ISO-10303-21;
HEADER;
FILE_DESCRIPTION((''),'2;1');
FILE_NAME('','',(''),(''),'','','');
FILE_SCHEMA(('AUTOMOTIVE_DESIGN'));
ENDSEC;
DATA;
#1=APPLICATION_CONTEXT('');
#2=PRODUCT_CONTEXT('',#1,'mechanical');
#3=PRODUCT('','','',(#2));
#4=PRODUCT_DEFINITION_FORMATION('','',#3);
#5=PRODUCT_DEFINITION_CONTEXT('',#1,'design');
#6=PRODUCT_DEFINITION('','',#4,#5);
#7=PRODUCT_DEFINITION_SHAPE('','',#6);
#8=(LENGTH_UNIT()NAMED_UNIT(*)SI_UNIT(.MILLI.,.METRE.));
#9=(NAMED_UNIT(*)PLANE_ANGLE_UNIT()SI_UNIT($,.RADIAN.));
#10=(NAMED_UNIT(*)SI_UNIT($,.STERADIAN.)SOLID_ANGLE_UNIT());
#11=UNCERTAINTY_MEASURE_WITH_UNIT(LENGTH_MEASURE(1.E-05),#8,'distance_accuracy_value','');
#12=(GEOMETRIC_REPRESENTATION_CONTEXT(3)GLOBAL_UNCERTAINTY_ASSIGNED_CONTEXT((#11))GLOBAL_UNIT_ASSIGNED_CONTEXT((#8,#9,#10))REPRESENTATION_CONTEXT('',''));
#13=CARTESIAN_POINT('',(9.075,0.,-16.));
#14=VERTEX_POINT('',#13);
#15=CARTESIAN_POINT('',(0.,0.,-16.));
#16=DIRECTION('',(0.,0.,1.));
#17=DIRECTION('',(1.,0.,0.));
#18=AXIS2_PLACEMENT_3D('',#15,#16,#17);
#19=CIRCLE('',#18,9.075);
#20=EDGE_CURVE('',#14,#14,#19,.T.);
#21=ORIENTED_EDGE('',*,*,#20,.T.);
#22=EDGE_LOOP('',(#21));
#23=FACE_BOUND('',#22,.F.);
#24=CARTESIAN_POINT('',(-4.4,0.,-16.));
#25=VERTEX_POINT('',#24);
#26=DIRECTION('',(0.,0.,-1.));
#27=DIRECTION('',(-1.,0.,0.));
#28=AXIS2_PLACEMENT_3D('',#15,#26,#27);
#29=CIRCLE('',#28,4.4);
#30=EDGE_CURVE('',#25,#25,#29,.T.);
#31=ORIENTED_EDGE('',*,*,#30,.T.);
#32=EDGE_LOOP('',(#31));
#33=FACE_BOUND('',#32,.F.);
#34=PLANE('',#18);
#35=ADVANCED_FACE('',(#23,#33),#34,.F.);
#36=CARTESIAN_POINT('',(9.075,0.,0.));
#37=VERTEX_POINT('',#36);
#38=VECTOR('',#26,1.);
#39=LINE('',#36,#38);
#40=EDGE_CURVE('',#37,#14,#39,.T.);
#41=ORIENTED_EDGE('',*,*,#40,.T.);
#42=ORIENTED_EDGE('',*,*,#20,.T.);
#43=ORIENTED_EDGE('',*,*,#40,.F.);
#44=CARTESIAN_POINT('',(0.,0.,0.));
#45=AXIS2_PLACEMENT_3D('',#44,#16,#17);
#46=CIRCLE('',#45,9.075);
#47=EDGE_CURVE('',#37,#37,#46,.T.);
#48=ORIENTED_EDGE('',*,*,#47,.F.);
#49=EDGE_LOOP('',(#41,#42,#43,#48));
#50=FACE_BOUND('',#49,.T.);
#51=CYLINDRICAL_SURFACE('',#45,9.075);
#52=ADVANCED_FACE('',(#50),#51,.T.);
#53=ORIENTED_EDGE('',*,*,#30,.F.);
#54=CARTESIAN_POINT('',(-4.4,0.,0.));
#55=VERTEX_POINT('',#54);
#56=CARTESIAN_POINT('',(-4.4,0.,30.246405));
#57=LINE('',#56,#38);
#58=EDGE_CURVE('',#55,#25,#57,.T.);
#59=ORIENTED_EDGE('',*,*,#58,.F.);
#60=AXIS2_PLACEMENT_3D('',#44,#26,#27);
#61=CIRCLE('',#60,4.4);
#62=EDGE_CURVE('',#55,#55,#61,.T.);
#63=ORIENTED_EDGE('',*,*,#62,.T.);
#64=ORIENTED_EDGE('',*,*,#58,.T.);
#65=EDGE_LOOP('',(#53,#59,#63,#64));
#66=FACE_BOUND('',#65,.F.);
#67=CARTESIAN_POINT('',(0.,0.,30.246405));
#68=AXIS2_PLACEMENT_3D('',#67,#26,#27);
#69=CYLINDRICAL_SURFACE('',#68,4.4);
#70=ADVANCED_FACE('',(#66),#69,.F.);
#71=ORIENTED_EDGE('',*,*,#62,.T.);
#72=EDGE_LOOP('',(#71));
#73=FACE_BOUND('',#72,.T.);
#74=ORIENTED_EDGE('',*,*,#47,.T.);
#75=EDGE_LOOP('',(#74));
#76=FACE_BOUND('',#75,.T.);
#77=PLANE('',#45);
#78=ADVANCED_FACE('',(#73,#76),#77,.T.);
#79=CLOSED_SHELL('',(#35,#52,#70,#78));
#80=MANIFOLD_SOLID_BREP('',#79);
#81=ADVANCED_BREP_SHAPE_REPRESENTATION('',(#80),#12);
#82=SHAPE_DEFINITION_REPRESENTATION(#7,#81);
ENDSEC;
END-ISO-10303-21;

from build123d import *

# Parameters (mm, degrees)
F0_R     = 9.075
F1_DEPTH = 16
F2_D     = 8.8


with BuildPart() as f1:
    # F0 (on Top) → F1 (new body)
    with BuildSketch(Plane.XY):
        Circle(F0_R)
    extrude(amount=-F1_DEPTH)

    # F2 (through all)
    with Locations(Plane.XY):
        with Locations((0, 0)):
            Hole(F2_D / 2)


solid = f1.part
